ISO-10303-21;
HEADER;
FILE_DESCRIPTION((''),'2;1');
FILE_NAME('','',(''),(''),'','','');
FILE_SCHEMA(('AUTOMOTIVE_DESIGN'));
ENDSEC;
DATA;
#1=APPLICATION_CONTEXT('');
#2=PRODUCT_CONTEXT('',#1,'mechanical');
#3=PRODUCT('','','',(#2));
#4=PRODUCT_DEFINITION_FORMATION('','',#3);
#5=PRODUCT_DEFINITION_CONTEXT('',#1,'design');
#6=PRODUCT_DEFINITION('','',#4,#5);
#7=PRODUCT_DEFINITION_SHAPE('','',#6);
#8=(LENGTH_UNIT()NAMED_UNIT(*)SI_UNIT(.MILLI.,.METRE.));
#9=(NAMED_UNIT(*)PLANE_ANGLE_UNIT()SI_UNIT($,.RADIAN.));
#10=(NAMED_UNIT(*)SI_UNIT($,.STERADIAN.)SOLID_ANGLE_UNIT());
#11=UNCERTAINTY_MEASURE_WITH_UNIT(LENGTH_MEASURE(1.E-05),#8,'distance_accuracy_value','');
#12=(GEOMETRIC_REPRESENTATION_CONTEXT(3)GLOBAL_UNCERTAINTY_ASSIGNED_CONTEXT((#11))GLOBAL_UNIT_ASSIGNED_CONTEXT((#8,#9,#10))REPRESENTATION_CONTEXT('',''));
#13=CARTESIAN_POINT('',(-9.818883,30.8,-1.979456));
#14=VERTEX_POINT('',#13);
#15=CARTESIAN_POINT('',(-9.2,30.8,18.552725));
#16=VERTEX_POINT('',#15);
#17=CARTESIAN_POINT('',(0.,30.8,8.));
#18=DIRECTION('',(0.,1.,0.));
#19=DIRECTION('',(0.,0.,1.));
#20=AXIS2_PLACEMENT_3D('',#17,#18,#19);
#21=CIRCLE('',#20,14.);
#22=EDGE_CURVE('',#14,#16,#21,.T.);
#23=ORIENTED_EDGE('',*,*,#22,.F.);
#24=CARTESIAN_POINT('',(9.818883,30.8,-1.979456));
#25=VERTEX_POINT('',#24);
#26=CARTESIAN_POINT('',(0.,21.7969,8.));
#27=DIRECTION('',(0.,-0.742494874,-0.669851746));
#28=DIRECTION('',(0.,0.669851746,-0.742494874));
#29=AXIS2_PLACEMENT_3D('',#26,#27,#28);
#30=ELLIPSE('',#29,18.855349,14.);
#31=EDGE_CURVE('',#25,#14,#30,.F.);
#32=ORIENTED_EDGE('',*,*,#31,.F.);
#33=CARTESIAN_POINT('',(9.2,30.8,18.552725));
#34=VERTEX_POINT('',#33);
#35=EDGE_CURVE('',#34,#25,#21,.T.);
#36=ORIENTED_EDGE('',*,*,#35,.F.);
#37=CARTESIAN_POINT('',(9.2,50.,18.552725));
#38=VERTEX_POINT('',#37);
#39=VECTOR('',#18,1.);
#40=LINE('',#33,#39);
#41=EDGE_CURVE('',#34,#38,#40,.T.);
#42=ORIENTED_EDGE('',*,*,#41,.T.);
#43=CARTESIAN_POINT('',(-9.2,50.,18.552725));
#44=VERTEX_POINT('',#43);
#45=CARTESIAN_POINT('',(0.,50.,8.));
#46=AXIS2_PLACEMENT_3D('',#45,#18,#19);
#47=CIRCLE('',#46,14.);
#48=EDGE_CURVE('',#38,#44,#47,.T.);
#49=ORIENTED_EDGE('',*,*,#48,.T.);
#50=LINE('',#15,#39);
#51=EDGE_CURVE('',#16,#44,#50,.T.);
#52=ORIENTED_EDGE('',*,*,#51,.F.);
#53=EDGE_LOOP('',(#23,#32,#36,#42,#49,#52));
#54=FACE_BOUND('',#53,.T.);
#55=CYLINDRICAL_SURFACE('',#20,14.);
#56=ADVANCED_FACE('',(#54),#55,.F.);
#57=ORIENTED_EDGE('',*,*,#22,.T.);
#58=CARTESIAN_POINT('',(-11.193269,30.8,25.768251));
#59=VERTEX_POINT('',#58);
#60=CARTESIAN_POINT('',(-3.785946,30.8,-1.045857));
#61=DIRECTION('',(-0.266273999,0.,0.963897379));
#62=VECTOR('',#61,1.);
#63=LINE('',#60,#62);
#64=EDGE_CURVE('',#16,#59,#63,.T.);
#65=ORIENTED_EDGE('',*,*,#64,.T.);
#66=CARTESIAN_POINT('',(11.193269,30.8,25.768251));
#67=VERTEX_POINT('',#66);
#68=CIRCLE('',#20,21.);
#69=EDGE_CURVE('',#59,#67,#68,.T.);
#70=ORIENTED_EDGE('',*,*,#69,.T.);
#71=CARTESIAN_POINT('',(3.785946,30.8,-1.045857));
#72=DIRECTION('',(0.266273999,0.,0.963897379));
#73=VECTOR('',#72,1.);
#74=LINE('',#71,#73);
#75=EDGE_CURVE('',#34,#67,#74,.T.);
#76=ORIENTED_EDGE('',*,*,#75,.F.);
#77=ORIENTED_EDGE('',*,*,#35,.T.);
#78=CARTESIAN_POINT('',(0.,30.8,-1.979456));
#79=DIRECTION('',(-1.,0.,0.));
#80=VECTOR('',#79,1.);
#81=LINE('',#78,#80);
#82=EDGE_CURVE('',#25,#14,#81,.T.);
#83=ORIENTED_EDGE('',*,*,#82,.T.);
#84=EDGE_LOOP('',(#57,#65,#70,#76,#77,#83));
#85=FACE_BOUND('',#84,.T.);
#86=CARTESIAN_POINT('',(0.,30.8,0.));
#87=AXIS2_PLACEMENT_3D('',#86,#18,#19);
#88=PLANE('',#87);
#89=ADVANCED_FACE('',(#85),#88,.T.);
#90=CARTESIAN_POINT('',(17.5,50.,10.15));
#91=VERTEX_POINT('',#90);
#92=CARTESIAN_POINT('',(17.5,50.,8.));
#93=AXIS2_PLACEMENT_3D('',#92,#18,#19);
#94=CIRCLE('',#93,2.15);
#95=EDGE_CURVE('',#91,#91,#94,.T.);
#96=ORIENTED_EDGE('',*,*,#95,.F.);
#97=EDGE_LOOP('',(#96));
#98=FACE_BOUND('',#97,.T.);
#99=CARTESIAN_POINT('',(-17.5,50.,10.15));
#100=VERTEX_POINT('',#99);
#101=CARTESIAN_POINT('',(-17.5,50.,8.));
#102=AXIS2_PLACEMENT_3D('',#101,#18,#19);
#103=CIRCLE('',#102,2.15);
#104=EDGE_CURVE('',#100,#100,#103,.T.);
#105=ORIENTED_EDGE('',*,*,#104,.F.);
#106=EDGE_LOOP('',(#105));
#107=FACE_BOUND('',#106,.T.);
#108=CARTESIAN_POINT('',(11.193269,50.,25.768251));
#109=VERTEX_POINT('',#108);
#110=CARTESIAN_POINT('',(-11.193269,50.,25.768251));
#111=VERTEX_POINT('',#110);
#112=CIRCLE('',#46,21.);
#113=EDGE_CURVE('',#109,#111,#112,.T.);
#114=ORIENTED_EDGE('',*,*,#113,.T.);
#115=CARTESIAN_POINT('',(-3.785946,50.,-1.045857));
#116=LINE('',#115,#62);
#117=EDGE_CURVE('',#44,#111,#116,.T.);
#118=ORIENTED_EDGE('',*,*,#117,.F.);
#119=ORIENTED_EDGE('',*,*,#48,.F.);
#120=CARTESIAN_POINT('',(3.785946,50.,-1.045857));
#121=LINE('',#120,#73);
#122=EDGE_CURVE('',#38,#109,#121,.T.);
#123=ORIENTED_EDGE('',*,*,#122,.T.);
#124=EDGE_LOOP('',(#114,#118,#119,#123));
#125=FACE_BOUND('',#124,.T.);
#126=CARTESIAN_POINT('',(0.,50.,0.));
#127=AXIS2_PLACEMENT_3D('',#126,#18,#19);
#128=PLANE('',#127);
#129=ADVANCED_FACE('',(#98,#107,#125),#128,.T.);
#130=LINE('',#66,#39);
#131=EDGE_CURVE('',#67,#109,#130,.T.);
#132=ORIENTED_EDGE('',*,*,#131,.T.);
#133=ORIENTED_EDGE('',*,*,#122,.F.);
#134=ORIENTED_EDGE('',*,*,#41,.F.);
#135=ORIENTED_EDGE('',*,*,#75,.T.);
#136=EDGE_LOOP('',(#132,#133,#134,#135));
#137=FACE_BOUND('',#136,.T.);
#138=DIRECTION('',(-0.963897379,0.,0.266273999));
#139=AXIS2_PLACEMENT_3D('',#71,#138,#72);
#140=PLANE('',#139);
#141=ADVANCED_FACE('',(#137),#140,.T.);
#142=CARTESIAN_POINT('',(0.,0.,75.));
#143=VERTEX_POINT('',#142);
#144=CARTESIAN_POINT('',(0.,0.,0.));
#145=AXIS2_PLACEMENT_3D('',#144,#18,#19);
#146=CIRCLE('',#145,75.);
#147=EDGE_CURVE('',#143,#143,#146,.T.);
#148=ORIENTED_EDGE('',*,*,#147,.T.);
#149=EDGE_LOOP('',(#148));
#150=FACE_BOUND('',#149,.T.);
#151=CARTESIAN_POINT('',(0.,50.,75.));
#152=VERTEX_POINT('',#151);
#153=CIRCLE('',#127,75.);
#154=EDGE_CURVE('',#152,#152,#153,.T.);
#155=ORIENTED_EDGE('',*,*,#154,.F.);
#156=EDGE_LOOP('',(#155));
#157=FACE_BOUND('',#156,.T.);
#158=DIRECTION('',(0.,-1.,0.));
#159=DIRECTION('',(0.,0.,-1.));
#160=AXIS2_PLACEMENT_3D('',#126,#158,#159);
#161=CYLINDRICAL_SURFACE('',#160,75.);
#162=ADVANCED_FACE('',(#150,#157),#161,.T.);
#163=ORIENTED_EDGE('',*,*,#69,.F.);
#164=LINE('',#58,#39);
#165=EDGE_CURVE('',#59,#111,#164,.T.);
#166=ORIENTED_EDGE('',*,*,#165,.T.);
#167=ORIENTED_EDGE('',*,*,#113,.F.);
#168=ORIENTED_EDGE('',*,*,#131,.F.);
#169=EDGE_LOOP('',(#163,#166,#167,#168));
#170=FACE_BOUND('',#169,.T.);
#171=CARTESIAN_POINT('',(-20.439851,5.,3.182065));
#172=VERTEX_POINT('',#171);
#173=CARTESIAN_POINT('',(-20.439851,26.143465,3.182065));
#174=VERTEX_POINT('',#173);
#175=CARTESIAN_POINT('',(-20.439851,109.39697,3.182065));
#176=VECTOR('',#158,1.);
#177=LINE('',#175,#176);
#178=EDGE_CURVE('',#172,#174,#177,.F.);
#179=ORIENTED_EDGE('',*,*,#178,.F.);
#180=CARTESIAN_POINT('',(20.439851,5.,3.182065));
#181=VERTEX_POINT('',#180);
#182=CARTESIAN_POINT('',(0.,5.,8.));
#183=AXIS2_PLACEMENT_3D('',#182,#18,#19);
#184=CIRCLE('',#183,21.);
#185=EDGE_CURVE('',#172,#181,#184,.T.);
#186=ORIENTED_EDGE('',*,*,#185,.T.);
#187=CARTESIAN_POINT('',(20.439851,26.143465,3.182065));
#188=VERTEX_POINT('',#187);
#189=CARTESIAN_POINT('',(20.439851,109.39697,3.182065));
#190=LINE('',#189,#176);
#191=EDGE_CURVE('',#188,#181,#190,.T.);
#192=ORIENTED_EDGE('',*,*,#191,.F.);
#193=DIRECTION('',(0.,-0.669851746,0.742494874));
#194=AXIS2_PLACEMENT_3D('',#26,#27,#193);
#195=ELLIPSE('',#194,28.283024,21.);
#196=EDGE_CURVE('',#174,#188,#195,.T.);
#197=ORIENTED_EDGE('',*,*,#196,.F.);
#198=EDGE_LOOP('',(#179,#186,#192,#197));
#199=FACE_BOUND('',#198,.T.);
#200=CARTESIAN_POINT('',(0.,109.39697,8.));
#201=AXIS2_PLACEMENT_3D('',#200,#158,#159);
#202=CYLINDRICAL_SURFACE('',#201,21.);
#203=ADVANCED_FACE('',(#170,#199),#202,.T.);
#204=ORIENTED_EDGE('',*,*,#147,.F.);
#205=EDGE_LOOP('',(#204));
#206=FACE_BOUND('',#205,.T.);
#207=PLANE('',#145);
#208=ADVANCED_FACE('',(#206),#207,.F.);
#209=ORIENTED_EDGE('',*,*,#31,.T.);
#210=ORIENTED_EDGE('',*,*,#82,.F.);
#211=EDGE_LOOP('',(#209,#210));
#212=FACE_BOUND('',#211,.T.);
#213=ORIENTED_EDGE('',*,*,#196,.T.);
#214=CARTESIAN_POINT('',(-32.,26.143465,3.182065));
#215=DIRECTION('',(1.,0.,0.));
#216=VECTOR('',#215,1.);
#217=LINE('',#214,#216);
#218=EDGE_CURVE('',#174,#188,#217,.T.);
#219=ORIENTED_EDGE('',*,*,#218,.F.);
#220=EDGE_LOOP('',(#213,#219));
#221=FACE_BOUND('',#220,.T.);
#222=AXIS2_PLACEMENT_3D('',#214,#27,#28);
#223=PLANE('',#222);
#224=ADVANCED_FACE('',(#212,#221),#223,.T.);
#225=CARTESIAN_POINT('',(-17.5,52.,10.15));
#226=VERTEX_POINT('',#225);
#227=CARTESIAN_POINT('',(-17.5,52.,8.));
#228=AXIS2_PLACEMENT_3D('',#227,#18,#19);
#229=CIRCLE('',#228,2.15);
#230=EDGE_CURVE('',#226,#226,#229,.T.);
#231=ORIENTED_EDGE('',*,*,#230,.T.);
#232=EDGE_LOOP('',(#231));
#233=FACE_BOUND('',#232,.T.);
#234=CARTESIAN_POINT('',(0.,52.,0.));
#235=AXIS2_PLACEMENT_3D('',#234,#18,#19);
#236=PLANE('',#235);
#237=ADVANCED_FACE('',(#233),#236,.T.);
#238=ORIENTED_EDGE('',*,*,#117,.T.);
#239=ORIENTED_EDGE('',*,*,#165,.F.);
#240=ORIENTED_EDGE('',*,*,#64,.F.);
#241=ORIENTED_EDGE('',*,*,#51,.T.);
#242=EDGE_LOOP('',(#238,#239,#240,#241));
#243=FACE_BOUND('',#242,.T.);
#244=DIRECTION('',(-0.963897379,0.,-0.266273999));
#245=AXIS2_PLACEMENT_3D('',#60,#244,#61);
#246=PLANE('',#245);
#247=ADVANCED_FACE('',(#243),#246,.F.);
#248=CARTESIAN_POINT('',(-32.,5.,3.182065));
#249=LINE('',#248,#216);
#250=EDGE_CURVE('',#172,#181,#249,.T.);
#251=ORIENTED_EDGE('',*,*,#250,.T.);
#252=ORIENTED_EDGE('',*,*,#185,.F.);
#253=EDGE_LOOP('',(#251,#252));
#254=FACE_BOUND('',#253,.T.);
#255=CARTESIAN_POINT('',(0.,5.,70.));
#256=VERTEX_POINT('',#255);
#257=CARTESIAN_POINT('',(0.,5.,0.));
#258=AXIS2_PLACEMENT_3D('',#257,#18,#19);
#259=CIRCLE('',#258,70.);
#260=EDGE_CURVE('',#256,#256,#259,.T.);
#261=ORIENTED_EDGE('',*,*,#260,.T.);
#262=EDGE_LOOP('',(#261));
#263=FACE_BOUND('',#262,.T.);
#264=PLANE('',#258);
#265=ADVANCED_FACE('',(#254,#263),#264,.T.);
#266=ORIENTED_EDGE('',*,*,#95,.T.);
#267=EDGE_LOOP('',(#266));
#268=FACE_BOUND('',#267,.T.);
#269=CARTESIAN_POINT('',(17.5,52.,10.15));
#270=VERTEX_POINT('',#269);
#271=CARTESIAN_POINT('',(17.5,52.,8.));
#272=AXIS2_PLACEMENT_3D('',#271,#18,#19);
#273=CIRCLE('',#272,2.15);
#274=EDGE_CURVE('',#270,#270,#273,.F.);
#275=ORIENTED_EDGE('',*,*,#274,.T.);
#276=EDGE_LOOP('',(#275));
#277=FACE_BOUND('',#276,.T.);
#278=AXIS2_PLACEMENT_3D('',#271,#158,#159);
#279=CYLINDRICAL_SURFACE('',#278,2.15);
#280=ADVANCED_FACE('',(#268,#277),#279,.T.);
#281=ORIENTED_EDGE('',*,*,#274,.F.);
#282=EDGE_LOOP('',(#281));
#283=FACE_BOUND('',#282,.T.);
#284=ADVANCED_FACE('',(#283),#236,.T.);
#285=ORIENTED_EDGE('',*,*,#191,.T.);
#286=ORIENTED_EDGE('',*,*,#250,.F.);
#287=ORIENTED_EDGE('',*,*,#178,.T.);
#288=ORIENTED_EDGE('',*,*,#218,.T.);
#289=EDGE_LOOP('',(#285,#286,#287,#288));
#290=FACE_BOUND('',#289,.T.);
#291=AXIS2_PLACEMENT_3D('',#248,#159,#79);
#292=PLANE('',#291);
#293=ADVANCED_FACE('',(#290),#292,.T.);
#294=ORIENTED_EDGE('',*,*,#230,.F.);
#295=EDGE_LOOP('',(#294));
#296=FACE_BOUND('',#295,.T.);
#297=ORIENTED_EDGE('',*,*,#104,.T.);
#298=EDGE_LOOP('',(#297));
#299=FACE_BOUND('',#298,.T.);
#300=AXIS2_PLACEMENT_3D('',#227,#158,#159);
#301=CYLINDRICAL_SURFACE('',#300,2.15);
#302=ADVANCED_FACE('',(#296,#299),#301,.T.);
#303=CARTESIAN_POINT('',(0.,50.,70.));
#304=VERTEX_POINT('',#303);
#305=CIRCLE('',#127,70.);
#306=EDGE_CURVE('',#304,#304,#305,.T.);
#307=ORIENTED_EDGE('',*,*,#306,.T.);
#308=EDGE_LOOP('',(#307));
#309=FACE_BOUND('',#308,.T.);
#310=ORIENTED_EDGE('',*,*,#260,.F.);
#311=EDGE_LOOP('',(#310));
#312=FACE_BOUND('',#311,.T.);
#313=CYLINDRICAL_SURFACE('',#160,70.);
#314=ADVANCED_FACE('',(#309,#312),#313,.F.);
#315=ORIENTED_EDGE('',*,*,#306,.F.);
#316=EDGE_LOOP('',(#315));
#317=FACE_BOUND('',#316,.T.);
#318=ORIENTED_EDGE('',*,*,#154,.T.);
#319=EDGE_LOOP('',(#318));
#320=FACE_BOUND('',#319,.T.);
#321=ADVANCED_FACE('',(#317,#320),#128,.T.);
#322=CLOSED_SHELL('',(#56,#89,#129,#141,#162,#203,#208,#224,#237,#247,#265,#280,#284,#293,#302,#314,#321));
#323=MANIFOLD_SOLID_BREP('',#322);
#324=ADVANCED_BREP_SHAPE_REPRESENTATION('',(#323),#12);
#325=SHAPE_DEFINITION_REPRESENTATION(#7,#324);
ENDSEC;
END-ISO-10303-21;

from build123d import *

# Parameters (mm, degrees)
SKETCH1_R               = 75
BOSS_EXTRUDE1_DEPTH     = 50
SHELL1_T                = -5
SKETCH2_R               = 21
BOSS_EXTRUDE2_DEPTH     = 45
CUT_EXTRUDE1_START      = -19.2
CUT_EXTRUDE1_DEPTH      = 19.2
SKETCH3_3_R             = 2.15
BOSS_EXTRUDE3_DEPTH     = 2
CUT_EXTRUDE3_DEPTH      = 32
CUT_EXTRUDE3_DEPTH_BACK = 27


with BuildPart() as part:
    # Sketch1 → Boss-Extrude1 (new body)
    with BuildSketch(Plane(origin=(0, 0, 0), x_dir=(1, 0, 0), z_dir=(0, 1, 0))):
        with Locations(Location((0, 0, 0), (0, 0, 270))):
            Circle(SKETCH1_R)
    extrude(amount=BOSS_EXTRUDE1_DEPTH)

    # Shell1
    shell1_openings = [part.faces().sort_by_distance(p)[0] for p in [
        (0, 50, 0),
    ]]
    offset(amount=SHELL1_T, openings=shell1_openings, kind=Kind.INTERSECTION)

    # Sketch2 → Boss-Extrude2 (add)
    with BuildSketch(Plane(origin=(0, 5, 0), x_dir=(1, 0, 0), z_dir=(0, 1, 0))):
        with Locations(Location((0, -8, 0), (0, 0, 270))):
            Circle(SKETCH2_R)
    extrude(amount=BOSS_EXTRUDE2_DEPTH)

    # Sketch3 → Cut-Extrude1 (cut)
    with BuildSketch(Plane(origin=(0, 50, 0), x_dir=(1, 0, 0), z_dir=(0, 1, 0)).offset(CUT_EXTRUDE1_START)):
        with BuildLine():
            Line((11.193269132, -25.768250508), (9.2, -18.552724767))
            ThreePointArc((9.2, -18.552724767), (0, 6), (-9.2, -18.552724767))
            Line((-9.2, -18.552724767), (-11.193269132, -25.768250508))
            ThreePointArc((-11.193269132, -25.768250508), (0, -29), (11.193269132, -25.768250508))
        make_face()
    extrude(amount=CUT_EXTRUDE1_DEPTH, mode=Mode.SUBTRACT)

    # Sketch3<3> → Boss-Extrude3 (add)
    with BuildSketch(Plane(origin=(0, 50, 0), x_dir=(1, 0, 0), z_dir=(0, 1, 0))):
        with Locations(Location((-17.5, -8, 0), (0, 0, 270))):
            Circle(SKETCH3_3_R)
        with Locations(Location((17.5, -8, 0), (0, 0, 270))):
            Circle(SKETCH3_3_R)
    extrude(amount=BOSS_EXTRUDE3_DEPTH)

    # Sketch6 → Cut-Extrude3 (cut, two sides: drawn at the far end of the back side and taken through both)
    with BuildSketch(Plane(origin=(0, 50, -13), x_dir=(0, 0, 1), z_dir=(-1, 0, 0)).offset(-CUT_EXTRUDE3_DEPTH_BACK)):
        Polygon((-3.408673703, -45), (16.182064941, -45), (16.182064941, -23.856535334), (0, -9.257667594), (-3.408673703, -9.257667594), align=None)
    extrude(amount=CUT_EXTRUDE3_DEPTH + CUT_EXTRUDE3_DEPTH_BACK, mode=Mode.SUBTRACT)


solid = part.part
